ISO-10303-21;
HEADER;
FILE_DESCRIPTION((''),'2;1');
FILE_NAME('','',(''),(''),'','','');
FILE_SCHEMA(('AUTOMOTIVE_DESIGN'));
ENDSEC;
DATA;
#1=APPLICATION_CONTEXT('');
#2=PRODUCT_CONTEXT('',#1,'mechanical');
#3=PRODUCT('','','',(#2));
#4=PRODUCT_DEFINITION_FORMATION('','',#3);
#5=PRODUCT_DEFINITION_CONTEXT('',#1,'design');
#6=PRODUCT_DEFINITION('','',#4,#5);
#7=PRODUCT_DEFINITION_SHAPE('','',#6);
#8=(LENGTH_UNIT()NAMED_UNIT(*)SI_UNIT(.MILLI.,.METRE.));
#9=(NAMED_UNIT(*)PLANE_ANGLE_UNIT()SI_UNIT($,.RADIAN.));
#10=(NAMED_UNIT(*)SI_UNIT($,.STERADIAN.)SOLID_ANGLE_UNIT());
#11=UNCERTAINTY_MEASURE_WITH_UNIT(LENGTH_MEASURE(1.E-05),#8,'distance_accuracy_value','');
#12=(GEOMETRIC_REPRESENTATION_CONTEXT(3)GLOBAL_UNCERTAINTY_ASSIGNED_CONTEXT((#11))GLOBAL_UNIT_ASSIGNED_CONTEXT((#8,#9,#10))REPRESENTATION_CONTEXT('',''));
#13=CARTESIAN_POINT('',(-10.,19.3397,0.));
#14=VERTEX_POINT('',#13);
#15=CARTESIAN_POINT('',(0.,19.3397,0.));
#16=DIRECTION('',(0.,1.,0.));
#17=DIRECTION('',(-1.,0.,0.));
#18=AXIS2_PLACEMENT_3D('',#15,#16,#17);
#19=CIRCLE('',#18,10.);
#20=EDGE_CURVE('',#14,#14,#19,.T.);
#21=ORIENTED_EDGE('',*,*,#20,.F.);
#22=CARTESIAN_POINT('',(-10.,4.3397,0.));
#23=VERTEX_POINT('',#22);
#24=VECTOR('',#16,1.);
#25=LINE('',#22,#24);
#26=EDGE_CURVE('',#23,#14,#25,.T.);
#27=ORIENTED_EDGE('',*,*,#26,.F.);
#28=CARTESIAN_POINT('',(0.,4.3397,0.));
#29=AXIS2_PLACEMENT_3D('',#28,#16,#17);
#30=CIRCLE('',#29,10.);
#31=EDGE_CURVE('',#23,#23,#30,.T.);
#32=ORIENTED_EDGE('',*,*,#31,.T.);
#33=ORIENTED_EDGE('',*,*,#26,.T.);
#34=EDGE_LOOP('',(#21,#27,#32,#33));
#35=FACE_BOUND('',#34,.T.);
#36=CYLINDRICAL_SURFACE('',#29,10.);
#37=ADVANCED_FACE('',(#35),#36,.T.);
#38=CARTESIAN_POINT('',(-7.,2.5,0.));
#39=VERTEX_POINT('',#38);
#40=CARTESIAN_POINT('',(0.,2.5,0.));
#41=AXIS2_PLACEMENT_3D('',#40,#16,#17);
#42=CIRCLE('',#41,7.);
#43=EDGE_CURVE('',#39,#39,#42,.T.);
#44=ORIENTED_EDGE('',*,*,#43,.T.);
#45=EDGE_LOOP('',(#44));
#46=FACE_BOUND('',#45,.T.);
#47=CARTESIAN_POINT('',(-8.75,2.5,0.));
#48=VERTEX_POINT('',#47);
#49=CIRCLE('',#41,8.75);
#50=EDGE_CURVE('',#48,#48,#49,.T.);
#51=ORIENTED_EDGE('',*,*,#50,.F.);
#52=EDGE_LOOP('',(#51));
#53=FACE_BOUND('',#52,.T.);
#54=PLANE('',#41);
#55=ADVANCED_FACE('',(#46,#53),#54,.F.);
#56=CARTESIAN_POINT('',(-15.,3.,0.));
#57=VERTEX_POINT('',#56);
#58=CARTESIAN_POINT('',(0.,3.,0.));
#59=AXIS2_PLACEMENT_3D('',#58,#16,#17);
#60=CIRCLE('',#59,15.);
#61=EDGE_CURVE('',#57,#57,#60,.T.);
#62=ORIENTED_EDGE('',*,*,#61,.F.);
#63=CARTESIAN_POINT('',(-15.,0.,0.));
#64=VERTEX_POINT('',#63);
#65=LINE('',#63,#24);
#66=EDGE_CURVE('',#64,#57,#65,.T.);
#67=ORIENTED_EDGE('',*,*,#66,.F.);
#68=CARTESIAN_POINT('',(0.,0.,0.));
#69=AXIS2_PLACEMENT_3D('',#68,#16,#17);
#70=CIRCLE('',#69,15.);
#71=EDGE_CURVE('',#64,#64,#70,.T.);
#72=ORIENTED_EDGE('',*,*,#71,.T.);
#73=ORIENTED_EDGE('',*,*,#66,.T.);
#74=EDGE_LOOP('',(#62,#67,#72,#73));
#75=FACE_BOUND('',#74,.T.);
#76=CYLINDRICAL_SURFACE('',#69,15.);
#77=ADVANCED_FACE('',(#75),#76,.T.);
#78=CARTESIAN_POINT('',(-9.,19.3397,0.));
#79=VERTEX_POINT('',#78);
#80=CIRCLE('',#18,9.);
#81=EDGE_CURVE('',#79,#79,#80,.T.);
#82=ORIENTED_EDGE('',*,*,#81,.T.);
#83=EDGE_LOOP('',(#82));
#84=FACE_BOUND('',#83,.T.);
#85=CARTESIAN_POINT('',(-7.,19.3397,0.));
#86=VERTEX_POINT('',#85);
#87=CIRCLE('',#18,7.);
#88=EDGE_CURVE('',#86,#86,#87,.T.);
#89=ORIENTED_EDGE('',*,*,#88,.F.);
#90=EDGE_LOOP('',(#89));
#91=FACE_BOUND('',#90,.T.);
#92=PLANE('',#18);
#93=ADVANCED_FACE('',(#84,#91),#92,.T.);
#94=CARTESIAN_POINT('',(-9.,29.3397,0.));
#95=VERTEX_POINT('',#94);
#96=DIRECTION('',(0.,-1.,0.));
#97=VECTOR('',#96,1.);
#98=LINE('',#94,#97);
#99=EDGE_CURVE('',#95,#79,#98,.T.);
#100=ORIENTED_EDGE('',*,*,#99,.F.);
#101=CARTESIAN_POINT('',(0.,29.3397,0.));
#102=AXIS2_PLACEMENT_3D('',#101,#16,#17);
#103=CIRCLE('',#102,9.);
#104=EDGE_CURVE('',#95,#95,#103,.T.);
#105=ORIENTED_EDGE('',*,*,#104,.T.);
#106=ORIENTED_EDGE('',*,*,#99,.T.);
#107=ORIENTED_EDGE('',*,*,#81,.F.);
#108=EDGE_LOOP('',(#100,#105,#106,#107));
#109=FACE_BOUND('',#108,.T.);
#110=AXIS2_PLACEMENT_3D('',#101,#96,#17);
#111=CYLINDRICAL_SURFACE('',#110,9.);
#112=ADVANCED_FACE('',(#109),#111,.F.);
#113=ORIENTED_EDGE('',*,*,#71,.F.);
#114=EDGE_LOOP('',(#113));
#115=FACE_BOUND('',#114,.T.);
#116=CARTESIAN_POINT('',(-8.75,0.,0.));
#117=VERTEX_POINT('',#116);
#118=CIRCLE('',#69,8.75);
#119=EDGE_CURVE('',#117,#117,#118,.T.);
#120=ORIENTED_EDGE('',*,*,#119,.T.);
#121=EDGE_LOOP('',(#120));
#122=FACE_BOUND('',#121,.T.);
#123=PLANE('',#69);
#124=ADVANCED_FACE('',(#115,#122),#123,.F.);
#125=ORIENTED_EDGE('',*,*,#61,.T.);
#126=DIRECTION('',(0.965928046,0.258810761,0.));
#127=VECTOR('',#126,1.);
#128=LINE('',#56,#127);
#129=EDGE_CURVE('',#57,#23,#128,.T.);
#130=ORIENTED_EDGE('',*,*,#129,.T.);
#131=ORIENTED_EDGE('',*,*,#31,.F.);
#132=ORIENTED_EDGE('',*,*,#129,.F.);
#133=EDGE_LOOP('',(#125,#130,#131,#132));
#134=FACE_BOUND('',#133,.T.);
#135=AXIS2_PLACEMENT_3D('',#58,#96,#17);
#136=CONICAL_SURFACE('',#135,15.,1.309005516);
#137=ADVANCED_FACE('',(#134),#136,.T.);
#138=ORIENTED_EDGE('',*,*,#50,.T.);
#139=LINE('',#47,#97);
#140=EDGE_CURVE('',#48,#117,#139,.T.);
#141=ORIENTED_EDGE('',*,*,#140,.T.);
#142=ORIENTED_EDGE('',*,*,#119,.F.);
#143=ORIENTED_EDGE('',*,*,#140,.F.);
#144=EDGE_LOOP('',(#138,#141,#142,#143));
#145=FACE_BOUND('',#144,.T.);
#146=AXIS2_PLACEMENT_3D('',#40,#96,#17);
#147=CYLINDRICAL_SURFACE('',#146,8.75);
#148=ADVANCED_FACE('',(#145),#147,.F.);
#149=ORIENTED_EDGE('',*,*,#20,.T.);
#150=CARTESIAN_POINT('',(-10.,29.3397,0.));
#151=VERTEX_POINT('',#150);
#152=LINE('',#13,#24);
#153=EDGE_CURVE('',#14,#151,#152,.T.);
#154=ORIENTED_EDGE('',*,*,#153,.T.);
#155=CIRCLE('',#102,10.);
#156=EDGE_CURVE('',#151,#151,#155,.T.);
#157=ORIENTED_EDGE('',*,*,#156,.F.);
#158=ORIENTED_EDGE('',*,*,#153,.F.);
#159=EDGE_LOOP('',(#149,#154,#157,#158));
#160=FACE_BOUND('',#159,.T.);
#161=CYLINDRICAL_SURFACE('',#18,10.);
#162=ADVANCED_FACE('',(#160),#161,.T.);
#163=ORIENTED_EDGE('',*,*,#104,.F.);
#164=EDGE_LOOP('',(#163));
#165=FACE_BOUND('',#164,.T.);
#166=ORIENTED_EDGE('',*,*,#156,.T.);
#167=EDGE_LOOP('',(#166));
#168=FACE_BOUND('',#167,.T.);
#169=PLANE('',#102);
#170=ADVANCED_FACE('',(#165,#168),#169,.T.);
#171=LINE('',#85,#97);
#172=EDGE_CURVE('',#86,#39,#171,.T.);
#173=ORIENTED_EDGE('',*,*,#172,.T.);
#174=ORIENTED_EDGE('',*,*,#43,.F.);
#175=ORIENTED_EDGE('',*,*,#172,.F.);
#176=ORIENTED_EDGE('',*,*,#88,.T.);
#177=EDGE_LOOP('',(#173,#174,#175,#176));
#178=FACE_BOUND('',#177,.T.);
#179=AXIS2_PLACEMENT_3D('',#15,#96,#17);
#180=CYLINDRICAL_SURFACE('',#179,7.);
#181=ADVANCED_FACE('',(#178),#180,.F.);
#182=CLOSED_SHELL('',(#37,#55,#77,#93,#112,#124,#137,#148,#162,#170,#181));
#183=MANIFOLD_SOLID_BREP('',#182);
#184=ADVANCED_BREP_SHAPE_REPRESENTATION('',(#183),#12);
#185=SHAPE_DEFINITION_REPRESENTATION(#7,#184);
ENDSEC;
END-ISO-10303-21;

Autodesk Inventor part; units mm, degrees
ref_plane "YZ Plane" through (0, 0, 0) normal (1, 0, 0) x (0, 1, 0)
ref_plane "XZ Plane" through (0, 0, 0) normal (0, 1, 0) x (-1, 0, 0)
ref_plane "XY Plane" through (0, 0, 0) normal (0, 0, 1) x (1, 0, 0)
sketch "Sketch1" plane through (0, 0, 0) normal (0, 0, 1) x (1, 0, 0)
  line L0 (-15, 0) -> (-15, 3)
  line L1 (-15, 3) -> (-10, 4.3397)
  line L2 (-10, 4.3397) -> (-10, 19.3397)
  line L3 (-7, 19.3397) -> (-7, 2.5)
  line L4 (-7, 2.5) -> (-8.75, 2.5)
  line L5 (-8.75, 2.5) -> (-8.75, 0)
  line L6 (-8.75, 0) -> (-15, 0)
  line L7 (-10, 19.3397) -> (-10, 29.3397)
  line L8 (-10, 29.3397) -> (-9, 29.3397)
  line L9 (-9, 29.3397) -> (-9, 19.3397)
  line L10 (-9, 19.3397) -> (-7, 19.3397)
  line L11 (0, -5.8679) -> (0, 35.2077) projected
  point P0 (0, 0)
  dimension "d0" = 8.75
  dimension "d1" = 15
  dimension "d2" = 3
  dimension "d4" = 15
  dimension "d6" = 2.5
  dimension "d7" = 10
  dimension "d8" = 7
  dimension "d9" = 15
  dimension "d10" = 10
  dimension "d11" = 1
revolve "Revolution1" add sketch "Sketch1" angle 360 about axis through (0, -10, 0) along (0, 1, 0)
properties part number "EpoxyFitThroughKF16" material "Brass, Soft Yellow"
